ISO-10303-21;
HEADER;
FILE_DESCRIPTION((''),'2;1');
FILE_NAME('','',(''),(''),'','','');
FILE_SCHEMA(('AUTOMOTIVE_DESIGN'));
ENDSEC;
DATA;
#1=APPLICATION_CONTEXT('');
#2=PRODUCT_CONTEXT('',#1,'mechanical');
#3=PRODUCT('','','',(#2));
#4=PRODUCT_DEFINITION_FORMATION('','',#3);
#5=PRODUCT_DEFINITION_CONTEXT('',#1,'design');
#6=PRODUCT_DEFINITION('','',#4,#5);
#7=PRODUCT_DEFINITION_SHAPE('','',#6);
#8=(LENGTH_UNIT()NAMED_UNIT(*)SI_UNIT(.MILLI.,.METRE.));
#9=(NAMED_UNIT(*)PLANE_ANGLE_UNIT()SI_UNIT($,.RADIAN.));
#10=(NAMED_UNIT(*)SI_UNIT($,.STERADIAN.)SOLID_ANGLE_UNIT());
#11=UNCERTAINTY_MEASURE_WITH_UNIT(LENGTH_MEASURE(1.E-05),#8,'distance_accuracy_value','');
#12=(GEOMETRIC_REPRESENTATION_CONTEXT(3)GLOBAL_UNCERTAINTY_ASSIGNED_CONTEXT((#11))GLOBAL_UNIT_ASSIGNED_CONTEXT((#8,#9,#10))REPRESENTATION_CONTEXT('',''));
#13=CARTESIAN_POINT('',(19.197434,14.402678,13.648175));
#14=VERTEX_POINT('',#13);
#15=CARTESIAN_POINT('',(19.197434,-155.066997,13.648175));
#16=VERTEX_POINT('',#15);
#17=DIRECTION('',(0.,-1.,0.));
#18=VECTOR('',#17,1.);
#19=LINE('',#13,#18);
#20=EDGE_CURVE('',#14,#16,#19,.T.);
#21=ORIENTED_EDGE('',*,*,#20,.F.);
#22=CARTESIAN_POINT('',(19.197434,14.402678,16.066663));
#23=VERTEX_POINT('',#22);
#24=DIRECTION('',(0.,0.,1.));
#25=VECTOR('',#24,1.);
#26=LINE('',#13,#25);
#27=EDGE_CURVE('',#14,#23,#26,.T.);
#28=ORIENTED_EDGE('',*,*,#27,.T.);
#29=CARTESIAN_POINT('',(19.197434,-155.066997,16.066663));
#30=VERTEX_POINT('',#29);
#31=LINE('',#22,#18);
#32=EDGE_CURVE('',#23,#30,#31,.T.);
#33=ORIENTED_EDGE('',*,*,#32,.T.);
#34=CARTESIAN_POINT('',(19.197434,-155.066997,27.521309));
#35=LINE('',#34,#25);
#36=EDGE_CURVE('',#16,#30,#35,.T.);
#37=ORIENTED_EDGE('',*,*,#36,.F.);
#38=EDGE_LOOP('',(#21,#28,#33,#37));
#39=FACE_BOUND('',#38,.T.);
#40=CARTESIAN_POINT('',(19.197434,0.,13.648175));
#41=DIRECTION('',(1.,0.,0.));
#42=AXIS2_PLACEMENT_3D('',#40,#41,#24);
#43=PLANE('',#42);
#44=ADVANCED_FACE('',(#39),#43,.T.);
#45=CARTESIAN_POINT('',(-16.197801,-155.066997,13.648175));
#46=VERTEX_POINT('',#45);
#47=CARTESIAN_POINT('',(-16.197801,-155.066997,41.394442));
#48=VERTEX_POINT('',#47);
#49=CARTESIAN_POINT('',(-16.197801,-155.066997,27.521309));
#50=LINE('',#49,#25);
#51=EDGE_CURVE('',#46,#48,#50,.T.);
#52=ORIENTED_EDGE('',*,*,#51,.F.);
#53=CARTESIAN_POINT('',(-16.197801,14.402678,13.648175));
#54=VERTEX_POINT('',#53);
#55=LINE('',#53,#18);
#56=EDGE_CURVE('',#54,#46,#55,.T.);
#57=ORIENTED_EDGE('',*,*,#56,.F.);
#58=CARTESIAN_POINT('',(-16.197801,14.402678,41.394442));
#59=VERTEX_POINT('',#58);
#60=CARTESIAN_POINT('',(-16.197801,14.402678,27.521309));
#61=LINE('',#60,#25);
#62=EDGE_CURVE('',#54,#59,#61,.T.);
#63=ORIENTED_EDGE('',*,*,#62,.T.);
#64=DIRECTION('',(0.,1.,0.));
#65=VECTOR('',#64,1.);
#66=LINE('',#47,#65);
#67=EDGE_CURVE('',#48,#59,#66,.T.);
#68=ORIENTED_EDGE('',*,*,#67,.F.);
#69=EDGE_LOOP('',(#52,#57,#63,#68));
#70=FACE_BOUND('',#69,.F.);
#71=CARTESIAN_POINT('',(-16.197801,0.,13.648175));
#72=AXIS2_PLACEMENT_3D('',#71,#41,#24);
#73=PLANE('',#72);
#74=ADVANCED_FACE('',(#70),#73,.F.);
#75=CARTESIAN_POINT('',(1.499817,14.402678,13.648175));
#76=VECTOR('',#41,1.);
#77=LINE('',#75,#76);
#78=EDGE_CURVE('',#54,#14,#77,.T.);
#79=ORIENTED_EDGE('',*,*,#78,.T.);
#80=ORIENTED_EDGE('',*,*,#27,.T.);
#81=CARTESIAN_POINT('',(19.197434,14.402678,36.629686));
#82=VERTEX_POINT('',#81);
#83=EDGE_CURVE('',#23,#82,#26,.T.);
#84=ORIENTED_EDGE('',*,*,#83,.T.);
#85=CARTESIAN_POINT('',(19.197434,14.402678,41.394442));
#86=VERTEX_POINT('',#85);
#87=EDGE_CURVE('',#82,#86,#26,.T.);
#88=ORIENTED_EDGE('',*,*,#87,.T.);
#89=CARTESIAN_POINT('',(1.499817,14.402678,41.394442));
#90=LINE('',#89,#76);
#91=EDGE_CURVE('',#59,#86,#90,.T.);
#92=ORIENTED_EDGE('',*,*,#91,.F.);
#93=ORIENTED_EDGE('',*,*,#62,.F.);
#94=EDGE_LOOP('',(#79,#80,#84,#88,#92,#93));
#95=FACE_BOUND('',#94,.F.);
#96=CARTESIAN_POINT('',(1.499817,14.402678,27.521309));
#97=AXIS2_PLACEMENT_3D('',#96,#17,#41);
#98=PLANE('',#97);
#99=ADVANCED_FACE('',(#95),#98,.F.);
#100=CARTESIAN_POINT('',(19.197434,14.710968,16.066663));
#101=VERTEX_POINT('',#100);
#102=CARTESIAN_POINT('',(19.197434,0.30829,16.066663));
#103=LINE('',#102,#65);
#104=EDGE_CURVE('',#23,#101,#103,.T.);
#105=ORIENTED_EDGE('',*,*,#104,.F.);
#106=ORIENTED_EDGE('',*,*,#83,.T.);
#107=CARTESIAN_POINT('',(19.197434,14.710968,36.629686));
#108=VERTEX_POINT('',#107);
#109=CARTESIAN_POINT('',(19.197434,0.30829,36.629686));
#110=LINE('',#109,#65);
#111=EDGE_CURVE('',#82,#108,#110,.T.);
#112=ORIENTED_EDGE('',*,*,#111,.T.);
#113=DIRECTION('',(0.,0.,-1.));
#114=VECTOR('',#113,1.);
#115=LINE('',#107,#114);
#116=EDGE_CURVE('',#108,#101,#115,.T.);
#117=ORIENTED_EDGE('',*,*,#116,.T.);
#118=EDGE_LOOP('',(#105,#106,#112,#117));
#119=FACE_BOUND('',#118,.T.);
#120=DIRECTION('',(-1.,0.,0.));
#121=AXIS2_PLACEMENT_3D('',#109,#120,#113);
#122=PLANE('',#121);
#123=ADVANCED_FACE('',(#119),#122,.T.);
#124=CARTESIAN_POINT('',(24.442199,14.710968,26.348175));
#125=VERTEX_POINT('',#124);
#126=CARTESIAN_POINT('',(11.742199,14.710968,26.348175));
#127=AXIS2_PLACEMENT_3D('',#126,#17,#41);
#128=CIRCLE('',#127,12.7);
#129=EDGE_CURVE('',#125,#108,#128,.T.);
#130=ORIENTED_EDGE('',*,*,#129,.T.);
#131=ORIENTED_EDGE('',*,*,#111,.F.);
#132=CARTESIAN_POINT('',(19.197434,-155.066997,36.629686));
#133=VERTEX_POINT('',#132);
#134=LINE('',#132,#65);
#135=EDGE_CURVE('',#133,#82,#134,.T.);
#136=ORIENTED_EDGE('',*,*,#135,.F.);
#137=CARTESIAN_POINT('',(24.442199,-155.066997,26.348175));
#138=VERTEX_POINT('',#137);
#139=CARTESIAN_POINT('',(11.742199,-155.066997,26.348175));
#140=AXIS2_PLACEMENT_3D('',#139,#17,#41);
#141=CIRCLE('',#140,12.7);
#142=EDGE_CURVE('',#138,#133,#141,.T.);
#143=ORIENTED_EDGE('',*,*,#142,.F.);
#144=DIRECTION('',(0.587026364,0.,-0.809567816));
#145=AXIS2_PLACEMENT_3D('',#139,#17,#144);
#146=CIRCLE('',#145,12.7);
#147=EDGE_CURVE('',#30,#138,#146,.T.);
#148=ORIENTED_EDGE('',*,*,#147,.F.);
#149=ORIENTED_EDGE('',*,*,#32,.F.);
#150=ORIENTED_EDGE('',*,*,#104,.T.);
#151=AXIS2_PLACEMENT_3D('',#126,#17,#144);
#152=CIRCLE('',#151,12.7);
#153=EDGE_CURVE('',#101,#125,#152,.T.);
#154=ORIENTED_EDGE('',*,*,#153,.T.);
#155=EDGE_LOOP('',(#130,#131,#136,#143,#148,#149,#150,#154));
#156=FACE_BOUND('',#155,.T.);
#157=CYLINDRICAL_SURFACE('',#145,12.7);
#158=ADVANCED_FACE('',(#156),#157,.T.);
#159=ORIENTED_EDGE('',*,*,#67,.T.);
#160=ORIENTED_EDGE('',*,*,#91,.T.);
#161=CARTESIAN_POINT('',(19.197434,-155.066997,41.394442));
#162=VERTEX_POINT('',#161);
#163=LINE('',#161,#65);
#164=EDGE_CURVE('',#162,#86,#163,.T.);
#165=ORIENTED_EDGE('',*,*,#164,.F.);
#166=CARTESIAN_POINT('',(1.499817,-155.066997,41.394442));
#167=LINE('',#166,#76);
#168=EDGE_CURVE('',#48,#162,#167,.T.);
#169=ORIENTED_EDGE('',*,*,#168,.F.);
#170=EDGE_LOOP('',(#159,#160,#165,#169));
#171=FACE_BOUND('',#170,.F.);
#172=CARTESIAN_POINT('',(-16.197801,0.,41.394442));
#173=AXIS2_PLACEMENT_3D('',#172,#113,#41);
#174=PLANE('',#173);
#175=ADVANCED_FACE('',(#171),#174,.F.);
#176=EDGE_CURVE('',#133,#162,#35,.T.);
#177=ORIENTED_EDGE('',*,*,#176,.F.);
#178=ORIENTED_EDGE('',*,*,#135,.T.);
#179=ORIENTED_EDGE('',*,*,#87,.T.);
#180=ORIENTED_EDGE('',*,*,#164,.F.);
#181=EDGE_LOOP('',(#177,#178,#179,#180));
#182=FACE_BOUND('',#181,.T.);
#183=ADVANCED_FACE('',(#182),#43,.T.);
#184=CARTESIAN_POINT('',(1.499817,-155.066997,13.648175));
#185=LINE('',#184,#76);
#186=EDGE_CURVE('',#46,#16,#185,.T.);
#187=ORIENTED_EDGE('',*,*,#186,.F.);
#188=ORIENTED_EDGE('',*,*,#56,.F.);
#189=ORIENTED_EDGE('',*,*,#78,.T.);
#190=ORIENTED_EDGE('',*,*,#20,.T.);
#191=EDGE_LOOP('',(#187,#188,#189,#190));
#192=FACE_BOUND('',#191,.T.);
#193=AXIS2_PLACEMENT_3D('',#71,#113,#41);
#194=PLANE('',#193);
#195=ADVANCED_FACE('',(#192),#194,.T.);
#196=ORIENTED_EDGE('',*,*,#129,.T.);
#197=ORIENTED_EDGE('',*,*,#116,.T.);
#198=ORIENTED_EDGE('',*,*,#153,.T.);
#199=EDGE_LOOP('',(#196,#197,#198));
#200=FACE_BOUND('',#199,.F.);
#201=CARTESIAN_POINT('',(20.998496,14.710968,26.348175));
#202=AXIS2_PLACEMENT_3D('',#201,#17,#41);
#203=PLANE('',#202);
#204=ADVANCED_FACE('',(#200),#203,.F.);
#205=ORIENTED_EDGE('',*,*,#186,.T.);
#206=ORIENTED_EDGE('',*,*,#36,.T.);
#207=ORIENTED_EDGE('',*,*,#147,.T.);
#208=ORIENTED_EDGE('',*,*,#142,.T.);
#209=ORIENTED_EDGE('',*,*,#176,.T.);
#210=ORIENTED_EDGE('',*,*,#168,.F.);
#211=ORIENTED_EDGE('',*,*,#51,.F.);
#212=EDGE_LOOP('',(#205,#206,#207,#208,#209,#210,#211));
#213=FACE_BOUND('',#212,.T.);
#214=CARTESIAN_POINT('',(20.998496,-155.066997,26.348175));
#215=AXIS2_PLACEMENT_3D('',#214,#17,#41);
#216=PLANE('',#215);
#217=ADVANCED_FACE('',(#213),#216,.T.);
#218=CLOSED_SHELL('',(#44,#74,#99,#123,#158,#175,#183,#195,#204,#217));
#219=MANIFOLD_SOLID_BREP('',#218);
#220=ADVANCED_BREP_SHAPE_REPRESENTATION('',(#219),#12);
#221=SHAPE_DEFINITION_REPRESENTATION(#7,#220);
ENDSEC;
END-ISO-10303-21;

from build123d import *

# Parameters (mm, degrees)
F0_W     = 35.3952348232
F0_H     = 27.7462676167
F1_DEPTH = 155.0669968128
F3_DEPTH = 155.3752869368
F4_DEPTH = 14.4026782364


with BuildPart() as f1:
    # F0 (on Front) → F1 (new body)
    with BuildSketch(Plane.XZ):
        with Locations((1.4998167753, 27.5213085115)):
            Rectangle(F0_W, F0_H)
    extrude(amount=F1_DEPTH)

    # F2 (on face) → F3 (join)
    with BuildSketch(Plane.XZ.offset(155.0669968128)):
        with BuildLine():
            ThreePointArc((19.1974341869, 16.066663446), (23.0552776861, 20.5771904827), (24.4421993637, 26.3481747031))
            ThreePointArc((24.4421993637, 26.3481747031), (23.0552776861, 32.1191589236), (19.1974341869, 36.6296859603))
            Line((19.1974341869, 36.6296859603), (19.1974341869, 16.066663446))
        make_face()
    extrude(amount=-F3_DEPTH)

    # F4 (add): faces of the model
    f4_faces = [f1.faces().sort_by_distance(p)[0] for p in [
        (1.4998167753, 0, 27.5213085115),
        (21.3375597344, 0.3082901239, 26.3481747031),
    ]]
    extrude(f4_faces, amount=F4_DEPTH)


solid = f1.part
